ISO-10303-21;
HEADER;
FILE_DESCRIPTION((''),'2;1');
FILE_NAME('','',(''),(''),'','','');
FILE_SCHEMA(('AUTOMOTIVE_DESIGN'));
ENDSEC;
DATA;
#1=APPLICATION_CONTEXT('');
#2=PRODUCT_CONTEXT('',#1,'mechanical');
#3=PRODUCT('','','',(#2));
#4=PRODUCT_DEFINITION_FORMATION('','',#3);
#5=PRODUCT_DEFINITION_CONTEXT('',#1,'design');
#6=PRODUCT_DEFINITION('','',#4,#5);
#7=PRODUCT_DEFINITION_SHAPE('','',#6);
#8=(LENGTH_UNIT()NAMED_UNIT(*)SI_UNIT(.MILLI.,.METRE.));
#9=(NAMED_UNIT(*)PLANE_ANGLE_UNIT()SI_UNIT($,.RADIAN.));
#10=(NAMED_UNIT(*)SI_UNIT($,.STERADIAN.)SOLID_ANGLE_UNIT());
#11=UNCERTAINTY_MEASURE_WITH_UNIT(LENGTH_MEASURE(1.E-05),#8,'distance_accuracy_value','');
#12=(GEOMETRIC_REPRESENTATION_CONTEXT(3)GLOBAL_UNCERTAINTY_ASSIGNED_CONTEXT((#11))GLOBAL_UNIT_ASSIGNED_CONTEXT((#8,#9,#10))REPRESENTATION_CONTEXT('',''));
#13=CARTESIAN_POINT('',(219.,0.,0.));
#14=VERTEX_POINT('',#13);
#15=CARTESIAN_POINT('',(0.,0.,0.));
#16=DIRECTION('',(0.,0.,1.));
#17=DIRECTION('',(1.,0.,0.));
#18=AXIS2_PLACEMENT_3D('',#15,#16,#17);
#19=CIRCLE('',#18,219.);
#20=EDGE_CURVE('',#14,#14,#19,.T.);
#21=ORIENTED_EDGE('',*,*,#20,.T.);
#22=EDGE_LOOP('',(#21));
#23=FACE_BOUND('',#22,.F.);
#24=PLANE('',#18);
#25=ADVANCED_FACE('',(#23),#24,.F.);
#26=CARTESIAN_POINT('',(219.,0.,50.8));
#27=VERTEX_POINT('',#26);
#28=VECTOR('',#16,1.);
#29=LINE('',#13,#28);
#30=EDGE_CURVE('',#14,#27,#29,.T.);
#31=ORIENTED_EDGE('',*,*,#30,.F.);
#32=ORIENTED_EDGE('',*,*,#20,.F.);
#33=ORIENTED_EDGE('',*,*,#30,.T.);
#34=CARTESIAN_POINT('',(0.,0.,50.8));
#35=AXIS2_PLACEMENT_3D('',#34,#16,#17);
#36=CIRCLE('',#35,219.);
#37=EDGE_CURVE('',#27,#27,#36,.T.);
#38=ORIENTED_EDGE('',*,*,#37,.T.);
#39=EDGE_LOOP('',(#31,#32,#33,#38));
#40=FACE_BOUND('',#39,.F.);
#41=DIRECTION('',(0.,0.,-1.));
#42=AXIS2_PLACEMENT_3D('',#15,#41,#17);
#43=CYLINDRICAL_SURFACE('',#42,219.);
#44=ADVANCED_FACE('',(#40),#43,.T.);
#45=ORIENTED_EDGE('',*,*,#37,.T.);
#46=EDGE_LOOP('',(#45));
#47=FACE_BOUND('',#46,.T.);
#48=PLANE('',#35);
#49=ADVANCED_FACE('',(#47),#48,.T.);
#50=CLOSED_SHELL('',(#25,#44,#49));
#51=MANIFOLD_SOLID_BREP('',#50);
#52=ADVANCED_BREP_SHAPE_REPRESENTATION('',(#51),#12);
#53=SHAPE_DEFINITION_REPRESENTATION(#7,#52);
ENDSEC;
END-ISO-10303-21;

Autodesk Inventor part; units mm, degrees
ref_plane "YZ Plane" through (0, 0, 0) normal (1, 0, 0) x (0, 1, 0)
ref_plane "XZ Plane" through (0, 0, 0) normal (0, 1, 0) x (-1, 0, 0)
ref_plane "XY Plane" through (0, 0, 0) normal (0, 0, 1) x (1, 0, 0)
sketch "Sketch1" plane through (0, 0, 0) normal (0, 0, 1) x (1, 0, 0)
  circle A0 centre (0, 0) radius 219
  dimension "d0" = 438
extrude "Extrusion1" add sketch "Sketch1" along normal blind 50.8
properties part number "Propellor Close Clearance"
